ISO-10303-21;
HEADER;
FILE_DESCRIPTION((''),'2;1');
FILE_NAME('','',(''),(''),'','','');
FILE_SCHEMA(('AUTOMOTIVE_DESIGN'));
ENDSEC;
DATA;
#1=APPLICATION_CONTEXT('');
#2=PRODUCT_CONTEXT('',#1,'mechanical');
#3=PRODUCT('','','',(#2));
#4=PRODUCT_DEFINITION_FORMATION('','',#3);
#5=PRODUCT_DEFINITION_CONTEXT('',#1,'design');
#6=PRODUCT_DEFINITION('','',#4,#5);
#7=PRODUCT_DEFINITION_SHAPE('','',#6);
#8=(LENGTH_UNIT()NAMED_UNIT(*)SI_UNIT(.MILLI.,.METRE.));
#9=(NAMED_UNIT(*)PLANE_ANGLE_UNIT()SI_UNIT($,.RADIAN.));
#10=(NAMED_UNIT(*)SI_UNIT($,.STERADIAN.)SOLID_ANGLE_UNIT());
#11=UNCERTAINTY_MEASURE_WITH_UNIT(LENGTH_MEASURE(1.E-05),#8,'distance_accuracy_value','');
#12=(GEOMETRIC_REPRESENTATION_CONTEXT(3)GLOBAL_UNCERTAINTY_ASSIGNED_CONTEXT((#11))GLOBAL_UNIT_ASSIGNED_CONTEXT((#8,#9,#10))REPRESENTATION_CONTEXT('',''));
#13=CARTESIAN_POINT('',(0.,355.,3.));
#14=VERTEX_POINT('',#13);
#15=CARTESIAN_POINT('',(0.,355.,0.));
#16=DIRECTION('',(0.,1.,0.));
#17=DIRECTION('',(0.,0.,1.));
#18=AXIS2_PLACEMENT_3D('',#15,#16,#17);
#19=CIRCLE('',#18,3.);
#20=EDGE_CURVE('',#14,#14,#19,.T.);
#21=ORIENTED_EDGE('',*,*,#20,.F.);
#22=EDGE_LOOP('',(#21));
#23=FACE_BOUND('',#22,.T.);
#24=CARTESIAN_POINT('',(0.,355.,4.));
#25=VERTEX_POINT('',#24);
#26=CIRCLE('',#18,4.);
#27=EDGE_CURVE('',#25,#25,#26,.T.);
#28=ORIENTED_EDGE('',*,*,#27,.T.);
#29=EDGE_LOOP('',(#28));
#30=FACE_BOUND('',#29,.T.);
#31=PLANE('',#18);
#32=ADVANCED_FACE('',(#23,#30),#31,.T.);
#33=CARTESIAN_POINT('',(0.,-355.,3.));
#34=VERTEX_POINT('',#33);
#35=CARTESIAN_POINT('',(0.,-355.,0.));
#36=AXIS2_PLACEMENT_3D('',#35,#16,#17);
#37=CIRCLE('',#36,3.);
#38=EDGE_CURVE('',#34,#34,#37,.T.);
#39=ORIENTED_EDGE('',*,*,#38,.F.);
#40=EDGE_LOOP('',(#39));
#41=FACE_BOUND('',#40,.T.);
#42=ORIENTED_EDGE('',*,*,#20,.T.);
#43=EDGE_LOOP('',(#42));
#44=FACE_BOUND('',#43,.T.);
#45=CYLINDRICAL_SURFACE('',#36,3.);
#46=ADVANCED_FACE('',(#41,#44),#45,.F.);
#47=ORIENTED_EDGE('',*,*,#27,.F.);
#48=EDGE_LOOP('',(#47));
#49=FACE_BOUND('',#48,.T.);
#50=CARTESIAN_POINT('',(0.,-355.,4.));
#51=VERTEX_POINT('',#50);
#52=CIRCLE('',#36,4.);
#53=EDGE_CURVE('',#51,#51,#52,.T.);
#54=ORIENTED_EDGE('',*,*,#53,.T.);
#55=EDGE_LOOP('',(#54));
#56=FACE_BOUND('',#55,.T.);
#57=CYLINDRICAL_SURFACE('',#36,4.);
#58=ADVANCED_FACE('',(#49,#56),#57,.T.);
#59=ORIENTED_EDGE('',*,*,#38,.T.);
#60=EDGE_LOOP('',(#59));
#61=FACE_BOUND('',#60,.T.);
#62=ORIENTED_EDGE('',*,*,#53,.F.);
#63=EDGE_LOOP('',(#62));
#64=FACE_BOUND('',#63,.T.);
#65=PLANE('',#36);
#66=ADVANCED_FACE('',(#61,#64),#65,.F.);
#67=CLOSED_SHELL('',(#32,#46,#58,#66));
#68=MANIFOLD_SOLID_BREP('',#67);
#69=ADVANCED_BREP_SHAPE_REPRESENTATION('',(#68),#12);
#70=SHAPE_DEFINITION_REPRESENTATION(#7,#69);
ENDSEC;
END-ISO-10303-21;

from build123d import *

# Parameters (mm, degrees)
SKETCH1_R           = 4
SKETCH1_R_2         = 3
BOSS_EXTRUDE1_DEPTH = 355


with BuildPart() as part:
    # Sketch1 → Boss-Extrude1 (new, symmetric)
    with BuildSketch(Plane(origin=(0, 0, 0), x_dir=(1, 0, 0), z_dir=(0, 1, 0))):
        with Locations(Location((0, 0, 0), (0, 0, 270))):
            Circle(SKETCH1_R)
        with Locations(Location((0, 0, 0), (0, 0, 270))):
            Circle(SKETCH1_R_2, mode=Mode.SUBTRACT)
    extrude(amount=BOSS_EXTRUDE1_DEPTH, both=True)


solid = part.part
